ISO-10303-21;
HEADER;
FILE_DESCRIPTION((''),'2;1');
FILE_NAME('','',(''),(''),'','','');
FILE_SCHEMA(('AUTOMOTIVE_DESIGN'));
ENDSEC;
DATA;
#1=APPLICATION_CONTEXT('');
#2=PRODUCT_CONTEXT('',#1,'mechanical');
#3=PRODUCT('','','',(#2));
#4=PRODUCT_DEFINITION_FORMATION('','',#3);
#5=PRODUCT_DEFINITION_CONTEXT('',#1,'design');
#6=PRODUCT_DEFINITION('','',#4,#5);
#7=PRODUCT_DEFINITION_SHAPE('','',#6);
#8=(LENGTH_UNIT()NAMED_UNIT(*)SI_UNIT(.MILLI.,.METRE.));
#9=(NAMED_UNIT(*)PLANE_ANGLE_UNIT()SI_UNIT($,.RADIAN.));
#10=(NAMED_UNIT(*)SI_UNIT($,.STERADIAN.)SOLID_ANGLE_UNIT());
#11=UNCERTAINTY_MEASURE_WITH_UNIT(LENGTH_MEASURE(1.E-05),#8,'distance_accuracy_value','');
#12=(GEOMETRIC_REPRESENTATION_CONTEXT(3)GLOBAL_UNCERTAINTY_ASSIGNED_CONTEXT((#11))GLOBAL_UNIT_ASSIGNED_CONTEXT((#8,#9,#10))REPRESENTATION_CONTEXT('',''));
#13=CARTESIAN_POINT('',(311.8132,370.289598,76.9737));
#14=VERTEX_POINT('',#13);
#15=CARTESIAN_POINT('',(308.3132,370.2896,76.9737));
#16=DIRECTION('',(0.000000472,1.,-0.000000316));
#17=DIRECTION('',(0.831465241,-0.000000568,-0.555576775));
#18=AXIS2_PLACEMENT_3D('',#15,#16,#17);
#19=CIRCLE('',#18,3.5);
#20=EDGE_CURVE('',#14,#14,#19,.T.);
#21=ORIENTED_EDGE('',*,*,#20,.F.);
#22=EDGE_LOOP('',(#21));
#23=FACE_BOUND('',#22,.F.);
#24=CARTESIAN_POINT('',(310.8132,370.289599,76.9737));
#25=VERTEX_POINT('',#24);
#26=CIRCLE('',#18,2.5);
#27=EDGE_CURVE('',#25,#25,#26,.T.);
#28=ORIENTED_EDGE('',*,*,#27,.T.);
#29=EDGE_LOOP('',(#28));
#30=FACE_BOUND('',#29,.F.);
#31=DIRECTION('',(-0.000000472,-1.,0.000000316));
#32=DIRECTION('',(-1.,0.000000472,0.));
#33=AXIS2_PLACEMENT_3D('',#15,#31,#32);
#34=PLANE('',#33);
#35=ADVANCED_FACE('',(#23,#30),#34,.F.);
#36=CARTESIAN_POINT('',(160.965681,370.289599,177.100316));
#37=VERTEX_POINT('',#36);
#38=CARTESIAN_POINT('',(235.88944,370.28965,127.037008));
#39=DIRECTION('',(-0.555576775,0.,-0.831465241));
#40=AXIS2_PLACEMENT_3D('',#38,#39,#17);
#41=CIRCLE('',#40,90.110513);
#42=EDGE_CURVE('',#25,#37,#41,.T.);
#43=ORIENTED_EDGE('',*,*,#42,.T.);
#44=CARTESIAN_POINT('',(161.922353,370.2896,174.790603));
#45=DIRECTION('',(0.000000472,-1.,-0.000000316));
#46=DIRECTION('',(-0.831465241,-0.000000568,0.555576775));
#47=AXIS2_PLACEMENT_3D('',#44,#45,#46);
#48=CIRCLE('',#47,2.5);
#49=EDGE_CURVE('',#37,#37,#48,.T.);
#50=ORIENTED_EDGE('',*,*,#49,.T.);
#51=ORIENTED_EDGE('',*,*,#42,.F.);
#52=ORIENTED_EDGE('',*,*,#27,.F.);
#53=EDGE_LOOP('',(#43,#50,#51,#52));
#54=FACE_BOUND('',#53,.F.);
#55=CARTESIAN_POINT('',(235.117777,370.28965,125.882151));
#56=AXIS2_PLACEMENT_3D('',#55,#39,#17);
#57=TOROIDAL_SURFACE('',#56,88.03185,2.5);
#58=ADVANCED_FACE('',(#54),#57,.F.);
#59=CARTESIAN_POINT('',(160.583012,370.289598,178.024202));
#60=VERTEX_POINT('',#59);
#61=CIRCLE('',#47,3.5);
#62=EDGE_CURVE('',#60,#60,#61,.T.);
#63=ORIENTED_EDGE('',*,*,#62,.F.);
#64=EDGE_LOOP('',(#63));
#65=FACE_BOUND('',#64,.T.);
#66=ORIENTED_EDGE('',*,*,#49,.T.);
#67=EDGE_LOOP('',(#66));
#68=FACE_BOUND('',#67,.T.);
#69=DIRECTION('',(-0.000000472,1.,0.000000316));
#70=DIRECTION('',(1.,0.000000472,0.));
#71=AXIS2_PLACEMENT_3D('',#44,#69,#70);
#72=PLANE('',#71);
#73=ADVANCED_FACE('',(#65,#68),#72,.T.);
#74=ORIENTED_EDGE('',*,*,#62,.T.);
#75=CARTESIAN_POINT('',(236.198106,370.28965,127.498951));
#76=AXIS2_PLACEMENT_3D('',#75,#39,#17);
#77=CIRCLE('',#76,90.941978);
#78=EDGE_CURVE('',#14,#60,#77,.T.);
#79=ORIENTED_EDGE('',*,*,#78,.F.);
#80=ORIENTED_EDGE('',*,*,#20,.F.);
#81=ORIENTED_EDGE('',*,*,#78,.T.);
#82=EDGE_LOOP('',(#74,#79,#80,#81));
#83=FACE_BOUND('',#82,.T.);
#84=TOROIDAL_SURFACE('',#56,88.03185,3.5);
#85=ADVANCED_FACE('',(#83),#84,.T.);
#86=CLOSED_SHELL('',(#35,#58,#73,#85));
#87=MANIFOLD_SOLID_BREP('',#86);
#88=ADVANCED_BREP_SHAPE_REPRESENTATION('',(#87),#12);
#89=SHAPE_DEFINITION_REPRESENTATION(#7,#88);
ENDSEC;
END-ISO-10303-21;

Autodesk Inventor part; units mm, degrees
ref_plane "YZ Plane" through (0, 0, 0) normal (1, 0, 0) x (0, 1, 0)
ref_plane "XZ Plane" through (0, 0, 0) normal (0, 1, 0) x (-1, 0, 0)
ref_plane "XY Plane" through (0, 0, 0) normal (0, 0, 1) x (1, 0, 0)
ref_plane "РабПлоскость2" through (308.3132, 370.2896, 76.9737) normal (0, -1, 0) x (1, 0, 0)
sketch "Эскиз3" plane through (308.3132, 370.2896, 76.9737) normal (0, -1, 0) x (1, 0, 0)
  circle A0 centre (0, 0) radius 3.5 projected
  circle A1 centre (0, 0) radius 2.5 projected
  point P0 (-308.3132, -76.9737)
ref_plane "РабПлоскость3" through (308.3132, 370.2896, 76.9737) normal (-0.5556, 0, -0.8315) x (0, -1, 0)
sketch "Эскиз4" plane through (308.3132, 370.2896, 76.9737) normal (-0.5556, 0, -0.8315) x (0, -1, 0)
  arc A0 (0, 0) -> (0, 176.0637) centre (0, 88.0318) ccw
  point P0 (370.2896, 213.5888)
sweep "Сдвиг1" add profiles "Эскиз3" path "Эскиз4"
properties part number "winding_not_formed_5_A"
